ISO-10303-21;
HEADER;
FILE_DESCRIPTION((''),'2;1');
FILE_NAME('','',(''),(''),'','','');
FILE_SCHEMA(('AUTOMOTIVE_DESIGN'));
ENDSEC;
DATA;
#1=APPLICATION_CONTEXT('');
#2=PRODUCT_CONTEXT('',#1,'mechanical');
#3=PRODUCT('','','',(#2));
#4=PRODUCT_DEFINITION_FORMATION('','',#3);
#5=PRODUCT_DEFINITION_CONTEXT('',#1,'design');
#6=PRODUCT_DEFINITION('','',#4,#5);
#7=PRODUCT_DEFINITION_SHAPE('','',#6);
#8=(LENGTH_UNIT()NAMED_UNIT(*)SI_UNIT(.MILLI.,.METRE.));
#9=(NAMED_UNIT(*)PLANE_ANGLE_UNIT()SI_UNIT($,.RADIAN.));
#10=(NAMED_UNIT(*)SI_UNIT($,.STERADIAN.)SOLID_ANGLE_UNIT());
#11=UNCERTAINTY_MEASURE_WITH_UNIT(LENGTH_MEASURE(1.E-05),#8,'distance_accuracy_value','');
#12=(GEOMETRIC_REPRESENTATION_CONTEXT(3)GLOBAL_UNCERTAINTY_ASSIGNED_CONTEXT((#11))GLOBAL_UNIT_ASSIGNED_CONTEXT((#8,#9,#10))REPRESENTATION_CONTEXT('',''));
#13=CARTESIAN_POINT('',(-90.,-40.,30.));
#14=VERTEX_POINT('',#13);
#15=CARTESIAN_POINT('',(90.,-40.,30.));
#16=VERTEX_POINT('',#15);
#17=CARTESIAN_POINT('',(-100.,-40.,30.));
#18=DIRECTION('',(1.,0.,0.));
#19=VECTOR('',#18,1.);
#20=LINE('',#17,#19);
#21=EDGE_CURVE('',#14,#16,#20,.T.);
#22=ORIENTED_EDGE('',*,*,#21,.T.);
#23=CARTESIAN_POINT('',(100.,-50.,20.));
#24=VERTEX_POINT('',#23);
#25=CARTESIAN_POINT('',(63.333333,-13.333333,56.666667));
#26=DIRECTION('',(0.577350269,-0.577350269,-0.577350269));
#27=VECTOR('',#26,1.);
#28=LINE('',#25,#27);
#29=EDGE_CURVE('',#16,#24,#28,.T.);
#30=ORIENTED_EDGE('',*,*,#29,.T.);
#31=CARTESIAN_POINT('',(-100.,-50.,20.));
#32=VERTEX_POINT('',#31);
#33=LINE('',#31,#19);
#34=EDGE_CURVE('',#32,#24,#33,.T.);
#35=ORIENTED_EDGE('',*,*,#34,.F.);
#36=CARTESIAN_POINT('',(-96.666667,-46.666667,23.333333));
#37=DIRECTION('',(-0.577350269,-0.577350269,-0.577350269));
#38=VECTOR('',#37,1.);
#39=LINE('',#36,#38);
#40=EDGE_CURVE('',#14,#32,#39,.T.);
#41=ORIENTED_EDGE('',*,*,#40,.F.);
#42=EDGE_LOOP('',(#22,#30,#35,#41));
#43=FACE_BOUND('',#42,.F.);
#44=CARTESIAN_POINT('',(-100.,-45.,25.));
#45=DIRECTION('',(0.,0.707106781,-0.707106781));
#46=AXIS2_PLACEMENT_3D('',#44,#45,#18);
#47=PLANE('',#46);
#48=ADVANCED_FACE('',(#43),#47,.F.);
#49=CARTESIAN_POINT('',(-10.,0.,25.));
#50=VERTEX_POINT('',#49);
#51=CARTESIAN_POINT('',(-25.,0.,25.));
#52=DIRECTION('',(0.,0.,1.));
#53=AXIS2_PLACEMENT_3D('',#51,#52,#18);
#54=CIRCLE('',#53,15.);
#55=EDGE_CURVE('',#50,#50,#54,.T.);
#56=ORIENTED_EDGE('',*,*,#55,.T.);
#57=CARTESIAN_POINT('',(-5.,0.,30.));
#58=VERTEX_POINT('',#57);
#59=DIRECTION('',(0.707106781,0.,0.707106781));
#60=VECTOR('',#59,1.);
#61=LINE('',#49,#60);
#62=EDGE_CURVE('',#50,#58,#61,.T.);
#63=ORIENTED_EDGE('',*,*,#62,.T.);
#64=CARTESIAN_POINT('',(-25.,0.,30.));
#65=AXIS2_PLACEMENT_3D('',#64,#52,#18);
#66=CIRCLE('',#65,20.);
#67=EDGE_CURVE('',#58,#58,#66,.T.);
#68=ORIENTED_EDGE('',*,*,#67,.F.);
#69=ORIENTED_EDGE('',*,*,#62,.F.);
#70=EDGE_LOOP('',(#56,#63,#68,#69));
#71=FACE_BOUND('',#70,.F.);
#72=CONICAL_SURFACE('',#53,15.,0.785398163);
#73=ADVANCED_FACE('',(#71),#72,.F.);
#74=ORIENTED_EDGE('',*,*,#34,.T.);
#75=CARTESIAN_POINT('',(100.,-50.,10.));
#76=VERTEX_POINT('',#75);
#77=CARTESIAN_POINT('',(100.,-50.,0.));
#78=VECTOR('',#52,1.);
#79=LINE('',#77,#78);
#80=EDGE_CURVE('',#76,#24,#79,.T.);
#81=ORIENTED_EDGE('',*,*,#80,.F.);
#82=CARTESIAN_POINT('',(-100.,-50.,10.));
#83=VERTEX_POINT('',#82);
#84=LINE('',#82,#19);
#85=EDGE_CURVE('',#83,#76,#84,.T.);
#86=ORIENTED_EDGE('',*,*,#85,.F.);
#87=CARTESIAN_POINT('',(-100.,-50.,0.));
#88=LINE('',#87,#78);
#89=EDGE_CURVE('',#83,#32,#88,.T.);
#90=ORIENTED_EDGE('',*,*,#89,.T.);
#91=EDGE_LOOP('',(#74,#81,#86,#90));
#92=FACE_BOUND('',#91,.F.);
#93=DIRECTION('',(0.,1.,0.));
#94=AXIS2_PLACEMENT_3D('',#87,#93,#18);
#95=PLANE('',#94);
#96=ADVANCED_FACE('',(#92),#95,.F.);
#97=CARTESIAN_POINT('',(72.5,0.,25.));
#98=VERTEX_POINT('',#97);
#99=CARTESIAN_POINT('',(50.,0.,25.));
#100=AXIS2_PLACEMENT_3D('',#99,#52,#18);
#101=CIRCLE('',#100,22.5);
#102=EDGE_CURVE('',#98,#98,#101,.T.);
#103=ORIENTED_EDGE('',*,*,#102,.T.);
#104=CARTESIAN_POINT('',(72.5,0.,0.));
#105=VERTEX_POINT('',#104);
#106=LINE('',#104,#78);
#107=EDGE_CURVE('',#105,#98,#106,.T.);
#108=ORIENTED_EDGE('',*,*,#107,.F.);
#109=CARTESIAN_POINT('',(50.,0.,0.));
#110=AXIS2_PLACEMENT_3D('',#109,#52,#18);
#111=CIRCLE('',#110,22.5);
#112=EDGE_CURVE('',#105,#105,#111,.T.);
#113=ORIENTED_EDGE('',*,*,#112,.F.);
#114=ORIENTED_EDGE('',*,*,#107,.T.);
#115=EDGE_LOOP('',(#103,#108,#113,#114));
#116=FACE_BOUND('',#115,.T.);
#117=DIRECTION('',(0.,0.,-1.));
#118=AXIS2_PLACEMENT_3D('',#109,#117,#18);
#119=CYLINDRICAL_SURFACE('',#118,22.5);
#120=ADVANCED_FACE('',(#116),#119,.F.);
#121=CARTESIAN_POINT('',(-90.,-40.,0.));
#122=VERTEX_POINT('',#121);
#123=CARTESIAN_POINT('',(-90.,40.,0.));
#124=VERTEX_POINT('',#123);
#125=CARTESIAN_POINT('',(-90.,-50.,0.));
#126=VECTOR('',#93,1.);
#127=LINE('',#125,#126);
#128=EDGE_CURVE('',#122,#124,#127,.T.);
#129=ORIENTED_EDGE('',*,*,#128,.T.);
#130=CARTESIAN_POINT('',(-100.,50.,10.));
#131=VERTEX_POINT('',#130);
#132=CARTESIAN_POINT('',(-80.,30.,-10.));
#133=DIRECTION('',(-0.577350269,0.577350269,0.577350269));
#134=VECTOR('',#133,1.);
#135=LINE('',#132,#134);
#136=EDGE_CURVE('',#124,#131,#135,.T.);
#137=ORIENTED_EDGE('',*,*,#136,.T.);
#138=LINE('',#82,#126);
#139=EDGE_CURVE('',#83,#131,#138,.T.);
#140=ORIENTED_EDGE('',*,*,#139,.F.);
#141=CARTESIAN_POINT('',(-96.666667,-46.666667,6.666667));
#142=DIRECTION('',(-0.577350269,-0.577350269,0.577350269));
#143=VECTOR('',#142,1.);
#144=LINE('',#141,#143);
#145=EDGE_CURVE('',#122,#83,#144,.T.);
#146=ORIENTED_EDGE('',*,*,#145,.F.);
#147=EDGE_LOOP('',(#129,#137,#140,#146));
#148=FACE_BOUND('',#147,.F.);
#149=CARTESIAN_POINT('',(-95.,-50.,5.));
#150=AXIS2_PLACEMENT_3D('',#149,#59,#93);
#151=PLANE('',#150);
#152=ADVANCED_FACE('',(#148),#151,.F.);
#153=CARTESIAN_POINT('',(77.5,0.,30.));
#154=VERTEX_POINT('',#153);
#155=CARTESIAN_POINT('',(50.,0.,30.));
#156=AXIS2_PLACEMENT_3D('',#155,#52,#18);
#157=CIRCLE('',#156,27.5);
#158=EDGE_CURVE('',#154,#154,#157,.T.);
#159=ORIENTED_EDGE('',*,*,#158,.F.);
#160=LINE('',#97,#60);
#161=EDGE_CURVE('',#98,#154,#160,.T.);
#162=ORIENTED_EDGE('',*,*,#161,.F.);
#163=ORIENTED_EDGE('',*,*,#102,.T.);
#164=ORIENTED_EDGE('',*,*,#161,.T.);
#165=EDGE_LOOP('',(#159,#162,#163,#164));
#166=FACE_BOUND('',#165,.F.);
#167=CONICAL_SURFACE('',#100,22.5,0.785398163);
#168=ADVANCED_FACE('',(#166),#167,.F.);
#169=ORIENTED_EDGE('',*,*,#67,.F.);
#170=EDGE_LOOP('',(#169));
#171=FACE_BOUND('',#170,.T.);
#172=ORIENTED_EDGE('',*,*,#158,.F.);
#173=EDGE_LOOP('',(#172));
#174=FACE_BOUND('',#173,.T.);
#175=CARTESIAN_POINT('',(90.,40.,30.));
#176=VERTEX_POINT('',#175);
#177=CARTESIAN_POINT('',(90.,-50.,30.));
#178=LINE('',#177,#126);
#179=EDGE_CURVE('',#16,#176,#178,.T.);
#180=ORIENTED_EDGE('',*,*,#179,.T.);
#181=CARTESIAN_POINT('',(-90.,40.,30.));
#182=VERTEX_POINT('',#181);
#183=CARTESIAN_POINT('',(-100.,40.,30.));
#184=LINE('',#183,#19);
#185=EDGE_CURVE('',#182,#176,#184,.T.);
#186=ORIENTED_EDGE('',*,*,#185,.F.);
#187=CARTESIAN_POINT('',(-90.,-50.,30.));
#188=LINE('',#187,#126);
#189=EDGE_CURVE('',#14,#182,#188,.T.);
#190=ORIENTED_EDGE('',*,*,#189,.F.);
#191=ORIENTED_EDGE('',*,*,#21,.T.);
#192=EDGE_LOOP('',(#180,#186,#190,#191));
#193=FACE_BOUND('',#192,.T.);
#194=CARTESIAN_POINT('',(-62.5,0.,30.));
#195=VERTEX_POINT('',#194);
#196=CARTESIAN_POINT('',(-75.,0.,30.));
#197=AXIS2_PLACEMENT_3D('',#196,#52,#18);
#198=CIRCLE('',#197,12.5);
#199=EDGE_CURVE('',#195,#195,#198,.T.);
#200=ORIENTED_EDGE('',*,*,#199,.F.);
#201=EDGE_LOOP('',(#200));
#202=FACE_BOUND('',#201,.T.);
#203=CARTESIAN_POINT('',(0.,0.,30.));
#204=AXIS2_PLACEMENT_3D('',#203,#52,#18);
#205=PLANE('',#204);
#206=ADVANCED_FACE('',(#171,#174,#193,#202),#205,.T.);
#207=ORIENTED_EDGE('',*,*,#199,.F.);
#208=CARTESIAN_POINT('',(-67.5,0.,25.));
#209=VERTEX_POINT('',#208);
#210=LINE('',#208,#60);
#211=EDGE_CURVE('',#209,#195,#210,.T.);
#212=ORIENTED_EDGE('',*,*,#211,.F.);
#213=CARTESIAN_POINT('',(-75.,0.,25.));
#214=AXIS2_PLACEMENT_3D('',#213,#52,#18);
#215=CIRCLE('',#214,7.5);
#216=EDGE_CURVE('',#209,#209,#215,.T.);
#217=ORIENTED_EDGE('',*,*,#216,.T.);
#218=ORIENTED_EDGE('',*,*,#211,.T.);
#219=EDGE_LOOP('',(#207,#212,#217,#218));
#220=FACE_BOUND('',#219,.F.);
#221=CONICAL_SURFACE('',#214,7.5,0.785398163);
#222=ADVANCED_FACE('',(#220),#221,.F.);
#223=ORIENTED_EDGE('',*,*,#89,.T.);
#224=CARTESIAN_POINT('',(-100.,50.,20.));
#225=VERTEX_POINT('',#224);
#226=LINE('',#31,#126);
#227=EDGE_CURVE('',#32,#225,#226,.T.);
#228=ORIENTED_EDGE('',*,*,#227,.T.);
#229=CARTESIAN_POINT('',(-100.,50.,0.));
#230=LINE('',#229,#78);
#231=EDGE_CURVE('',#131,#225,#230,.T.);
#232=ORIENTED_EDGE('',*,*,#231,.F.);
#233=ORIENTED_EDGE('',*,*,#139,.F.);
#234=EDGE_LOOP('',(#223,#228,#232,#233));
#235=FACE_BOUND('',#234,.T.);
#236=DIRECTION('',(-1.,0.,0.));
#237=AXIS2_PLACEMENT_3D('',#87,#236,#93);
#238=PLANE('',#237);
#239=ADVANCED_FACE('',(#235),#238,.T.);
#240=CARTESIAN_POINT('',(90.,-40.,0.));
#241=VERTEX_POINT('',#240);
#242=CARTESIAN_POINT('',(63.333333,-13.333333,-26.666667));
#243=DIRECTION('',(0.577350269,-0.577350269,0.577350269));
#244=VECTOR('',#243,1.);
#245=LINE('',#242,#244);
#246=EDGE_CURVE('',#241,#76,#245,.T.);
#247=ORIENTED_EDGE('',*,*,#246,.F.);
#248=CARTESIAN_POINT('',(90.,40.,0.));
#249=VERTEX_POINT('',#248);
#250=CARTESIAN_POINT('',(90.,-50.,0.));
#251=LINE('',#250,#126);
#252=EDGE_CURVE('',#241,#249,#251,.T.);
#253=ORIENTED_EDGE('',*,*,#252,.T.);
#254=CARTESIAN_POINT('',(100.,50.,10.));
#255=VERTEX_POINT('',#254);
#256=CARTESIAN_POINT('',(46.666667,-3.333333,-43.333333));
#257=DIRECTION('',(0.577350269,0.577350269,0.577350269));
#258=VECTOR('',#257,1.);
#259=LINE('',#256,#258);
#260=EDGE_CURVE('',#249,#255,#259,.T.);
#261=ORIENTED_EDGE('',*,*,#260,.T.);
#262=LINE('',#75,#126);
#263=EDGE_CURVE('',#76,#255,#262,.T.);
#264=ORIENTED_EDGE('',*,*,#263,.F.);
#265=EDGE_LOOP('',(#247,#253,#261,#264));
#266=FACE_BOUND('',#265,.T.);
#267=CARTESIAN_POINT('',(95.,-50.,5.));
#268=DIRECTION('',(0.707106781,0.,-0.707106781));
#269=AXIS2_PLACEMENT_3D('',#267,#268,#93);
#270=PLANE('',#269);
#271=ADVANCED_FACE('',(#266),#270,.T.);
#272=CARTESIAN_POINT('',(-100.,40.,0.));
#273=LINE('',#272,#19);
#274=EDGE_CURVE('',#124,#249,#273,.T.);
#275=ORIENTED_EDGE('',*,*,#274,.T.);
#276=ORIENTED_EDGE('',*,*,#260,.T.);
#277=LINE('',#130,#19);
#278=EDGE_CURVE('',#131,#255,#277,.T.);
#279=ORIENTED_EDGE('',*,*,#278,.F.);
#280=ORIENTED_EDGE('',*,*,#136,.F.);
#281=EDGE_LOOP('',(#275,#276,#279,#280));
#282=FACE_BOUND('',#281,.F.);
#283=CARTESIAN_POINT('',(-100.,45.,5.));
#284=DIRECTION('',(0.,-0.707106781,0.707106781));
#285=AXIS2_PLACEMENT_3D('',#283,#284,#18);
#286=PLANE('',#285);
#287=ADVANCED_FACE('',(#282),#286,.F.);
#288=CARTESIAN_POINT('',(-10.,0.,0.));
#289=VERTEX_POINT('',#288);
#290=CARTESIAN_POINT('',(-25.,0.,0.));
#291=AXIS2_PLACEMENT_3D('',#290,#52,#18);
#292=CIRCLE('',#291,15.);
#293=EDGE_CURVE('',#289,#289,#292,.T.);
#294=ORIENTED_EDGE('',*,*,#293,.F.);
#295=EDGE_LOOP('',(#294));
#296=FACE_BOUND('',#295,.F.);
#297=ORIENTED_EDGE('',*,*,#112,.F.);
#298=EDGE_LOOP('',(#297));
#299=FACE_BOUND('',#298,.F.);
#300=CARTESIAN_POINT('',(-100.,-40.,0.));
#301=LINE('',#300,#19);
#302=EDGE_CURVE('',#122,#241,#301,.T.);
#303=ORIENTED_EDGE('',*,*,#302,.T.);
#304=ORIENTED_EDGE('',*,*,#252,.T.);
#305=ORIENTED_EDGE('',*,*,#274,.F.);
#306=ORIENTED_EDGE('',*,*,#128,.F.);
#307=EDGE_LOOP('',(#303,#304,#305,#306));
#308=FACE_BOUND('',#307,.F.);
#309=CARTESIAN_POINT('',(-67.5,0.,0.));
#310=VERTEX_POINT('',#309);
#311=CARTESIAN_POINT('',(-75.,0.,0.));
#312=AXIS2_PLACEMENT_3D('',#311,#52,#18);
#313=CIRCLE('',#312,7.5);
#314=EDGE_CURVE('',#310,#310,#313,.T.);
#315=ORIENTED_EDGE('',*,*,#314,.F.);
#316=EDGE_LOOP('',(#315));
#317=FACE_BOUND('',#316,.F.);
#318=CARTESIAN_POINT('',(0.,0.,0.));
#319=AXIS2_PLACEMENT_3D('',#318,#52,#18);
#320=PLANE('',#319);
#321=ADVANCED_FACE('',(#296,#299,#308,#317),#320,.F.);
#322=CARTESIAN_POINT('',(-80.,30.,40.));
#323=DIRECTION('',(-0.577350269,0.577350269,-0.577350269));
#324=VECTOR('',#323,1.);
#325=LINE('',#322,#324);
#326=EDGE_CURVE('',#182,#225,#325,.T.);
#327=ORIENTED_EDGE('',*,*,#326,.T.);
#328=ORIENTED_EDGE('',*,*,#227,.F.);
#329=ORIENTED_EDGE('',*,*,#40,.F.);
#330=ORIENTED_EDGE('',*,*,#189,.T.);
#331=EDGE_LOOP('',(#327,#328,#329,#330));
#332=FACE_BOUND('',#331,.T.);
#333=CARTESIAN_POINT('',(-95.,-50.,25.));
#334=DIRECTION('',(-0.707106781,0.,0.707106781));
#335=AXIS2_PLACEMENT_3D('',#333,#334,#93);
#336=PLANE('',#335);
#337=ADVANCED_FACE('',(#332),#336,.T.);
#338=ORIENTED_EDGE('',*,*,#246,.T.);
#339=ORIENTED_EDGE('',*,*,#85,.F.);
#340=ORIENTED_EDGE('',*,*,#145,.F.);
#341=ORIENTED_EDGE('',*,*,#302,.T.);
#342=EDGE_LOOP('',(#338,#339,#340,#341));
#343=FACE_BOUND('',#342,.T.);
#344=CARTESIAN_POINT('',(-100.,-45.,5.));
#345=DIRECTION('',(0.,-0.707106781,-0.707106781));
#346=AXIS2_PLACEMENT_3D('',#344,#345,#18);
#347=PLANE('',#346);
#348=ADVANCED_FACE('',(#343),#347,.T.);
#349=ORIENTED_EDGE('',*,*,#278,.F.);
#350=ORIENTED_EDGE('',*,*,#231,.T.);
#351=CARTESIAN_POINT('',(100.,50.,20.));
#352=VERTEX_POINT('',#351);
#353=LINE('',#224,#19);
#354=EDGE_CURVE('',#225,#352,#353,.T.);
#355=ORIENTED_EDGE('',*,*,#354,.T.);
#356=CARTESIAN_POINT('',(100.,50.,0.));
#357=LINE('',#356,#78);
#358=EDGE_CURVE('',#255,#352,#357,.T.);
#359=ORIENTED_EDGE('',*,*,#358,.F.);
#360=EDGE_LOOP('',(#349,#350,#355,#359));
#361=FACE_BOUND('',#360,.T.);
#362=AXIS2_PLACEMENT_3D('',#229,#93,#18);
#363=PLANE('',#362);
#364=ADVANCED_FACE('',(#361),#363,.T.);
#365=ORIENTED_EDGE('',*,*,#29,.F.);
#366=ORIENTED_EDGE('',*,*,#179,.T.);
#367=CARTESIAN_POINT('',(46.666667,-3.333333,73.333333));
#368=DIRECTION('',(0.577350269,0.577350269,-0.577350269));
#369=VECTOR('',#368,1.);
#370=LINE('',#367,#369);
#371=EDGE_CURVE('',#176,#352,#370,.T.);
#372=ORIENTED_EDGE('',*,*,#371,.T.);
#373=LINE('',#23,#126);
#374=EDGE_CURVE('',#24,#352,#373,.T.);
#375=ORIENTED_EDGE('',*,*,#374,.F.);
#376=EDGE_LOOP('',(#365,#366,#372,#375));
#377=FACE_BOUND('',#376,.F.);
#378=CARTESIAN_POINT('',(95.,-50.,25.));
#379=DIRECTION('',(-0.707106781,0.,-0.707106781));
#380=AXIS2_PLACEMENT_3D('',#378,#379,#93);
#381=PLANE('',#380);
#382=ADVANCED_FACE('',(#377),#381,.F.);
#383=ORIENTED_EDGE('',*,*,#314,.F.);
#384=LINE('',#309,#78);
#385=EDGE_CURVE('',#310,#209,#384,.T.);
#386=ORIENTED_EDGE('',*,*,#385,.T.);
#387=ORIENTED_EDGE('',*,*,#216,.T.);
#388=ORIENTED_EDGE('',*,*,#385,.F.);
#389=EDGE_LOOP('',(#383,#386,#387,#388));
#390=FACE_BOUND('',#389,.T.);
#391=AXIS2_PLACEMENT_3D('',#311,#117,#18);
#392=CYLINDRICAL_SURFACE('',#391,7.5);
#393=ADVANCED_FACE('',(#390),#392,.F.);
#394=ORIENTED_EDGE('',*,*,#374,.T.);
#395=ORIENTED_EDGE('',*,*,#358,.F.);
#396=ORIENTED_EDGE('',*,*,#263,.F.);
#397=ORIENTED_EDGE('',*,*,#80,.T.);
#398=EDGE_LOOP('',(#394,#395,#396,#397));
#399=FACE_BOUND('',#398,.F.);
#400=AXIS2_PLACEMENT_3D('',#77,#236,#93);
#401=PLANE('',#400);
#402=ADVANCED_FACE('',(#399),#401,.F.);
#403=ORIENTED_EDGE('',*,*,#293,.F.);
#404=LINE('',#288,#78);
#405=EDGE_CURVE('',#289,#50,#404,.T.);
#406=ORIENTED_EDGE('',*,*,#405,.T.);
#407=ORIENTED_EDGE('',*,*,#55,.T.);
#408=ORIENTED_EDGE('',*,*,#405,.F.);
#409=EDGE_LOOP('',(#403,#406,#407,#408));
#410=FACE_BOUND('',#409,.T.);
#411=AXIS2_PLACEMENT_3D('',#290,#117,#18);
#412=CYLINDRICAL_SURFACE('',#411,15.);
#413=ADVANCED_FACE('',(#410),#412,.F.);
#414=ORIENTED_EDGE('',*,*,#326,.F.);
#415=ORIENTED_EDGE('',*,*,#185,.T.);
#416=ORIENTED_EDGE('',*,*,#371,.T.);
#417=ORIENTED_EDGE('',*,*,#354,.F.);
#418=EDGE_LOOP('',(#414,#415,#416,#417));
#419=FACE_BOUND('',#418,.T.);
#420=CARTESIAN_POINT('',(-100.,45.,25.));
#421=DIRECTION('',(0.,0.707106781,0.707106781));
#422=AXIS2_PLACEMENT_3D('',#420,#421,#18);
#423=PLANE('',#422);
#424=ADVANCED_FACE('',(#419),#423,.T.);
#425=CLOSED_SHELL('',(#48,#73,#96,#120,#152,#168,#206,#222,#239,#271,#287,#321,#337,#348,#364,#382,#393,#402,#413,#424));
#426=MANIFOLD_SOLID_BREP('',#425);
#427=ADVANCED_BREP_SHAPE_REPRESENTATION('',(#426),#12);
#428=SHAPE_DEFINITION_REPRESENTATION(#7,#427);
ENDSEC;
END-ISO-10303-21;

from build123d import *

# Parameters (mm, degrees)
F0_W     = 200
F0_H     = 100
F0_R     = 7.5
F0_R_2   = 15
F0_R_3   = 22.5
F1_DEPTH = 30
F2_SIZE2 = 5
F2_SIZE  = 5
F3_SIZE2 = 10
F3_SIZE  = 10


with BuildPart() as f1:
    # F0 (on Top) → F1 (new body)
    with BuildSketch(Plane.XY):
        Rectangle(F0_W, F0_H)
        with Locations((-75, 0)):
            Circle(F0_R, mode=Mode.SUBTRACT)
        with Locations((-25, 0)):
            Circle(F0_R_2, mode=Mode.SUBTRACT)
        with Locations((50, 0)):
            Circle(F0_R_3, mode=Mode.SUBTRACT)
    extrude(amount=F1_DEPTH)

    # F2
    f2_edges = [f1.edges().sort_by_distance(p)[0] for p in [
        (-82.5, 0, 30),
        (-40, 0, 30),
        (27.5, 0, 30),
    ]]
    chamfer(f2_edges, length=F2_SIZE, length2=F2_SIZE2)

    # F3
    f3_edges = [f1.edges().sort_by_distance(p)[0] for p in [
        (-100, 0, 30),
        (0, 50, 30),
        (100, 0, 30),
        (0, -50, 30),
        (0, -50, 0),
        (-100, 0, 0),
        (0, 50, 0),
        (100, 0, 0),
    ]]
    chamfer(f3_edges, length=F3_SIZE, length2=F3_SIZE2)


solid = f1.part
